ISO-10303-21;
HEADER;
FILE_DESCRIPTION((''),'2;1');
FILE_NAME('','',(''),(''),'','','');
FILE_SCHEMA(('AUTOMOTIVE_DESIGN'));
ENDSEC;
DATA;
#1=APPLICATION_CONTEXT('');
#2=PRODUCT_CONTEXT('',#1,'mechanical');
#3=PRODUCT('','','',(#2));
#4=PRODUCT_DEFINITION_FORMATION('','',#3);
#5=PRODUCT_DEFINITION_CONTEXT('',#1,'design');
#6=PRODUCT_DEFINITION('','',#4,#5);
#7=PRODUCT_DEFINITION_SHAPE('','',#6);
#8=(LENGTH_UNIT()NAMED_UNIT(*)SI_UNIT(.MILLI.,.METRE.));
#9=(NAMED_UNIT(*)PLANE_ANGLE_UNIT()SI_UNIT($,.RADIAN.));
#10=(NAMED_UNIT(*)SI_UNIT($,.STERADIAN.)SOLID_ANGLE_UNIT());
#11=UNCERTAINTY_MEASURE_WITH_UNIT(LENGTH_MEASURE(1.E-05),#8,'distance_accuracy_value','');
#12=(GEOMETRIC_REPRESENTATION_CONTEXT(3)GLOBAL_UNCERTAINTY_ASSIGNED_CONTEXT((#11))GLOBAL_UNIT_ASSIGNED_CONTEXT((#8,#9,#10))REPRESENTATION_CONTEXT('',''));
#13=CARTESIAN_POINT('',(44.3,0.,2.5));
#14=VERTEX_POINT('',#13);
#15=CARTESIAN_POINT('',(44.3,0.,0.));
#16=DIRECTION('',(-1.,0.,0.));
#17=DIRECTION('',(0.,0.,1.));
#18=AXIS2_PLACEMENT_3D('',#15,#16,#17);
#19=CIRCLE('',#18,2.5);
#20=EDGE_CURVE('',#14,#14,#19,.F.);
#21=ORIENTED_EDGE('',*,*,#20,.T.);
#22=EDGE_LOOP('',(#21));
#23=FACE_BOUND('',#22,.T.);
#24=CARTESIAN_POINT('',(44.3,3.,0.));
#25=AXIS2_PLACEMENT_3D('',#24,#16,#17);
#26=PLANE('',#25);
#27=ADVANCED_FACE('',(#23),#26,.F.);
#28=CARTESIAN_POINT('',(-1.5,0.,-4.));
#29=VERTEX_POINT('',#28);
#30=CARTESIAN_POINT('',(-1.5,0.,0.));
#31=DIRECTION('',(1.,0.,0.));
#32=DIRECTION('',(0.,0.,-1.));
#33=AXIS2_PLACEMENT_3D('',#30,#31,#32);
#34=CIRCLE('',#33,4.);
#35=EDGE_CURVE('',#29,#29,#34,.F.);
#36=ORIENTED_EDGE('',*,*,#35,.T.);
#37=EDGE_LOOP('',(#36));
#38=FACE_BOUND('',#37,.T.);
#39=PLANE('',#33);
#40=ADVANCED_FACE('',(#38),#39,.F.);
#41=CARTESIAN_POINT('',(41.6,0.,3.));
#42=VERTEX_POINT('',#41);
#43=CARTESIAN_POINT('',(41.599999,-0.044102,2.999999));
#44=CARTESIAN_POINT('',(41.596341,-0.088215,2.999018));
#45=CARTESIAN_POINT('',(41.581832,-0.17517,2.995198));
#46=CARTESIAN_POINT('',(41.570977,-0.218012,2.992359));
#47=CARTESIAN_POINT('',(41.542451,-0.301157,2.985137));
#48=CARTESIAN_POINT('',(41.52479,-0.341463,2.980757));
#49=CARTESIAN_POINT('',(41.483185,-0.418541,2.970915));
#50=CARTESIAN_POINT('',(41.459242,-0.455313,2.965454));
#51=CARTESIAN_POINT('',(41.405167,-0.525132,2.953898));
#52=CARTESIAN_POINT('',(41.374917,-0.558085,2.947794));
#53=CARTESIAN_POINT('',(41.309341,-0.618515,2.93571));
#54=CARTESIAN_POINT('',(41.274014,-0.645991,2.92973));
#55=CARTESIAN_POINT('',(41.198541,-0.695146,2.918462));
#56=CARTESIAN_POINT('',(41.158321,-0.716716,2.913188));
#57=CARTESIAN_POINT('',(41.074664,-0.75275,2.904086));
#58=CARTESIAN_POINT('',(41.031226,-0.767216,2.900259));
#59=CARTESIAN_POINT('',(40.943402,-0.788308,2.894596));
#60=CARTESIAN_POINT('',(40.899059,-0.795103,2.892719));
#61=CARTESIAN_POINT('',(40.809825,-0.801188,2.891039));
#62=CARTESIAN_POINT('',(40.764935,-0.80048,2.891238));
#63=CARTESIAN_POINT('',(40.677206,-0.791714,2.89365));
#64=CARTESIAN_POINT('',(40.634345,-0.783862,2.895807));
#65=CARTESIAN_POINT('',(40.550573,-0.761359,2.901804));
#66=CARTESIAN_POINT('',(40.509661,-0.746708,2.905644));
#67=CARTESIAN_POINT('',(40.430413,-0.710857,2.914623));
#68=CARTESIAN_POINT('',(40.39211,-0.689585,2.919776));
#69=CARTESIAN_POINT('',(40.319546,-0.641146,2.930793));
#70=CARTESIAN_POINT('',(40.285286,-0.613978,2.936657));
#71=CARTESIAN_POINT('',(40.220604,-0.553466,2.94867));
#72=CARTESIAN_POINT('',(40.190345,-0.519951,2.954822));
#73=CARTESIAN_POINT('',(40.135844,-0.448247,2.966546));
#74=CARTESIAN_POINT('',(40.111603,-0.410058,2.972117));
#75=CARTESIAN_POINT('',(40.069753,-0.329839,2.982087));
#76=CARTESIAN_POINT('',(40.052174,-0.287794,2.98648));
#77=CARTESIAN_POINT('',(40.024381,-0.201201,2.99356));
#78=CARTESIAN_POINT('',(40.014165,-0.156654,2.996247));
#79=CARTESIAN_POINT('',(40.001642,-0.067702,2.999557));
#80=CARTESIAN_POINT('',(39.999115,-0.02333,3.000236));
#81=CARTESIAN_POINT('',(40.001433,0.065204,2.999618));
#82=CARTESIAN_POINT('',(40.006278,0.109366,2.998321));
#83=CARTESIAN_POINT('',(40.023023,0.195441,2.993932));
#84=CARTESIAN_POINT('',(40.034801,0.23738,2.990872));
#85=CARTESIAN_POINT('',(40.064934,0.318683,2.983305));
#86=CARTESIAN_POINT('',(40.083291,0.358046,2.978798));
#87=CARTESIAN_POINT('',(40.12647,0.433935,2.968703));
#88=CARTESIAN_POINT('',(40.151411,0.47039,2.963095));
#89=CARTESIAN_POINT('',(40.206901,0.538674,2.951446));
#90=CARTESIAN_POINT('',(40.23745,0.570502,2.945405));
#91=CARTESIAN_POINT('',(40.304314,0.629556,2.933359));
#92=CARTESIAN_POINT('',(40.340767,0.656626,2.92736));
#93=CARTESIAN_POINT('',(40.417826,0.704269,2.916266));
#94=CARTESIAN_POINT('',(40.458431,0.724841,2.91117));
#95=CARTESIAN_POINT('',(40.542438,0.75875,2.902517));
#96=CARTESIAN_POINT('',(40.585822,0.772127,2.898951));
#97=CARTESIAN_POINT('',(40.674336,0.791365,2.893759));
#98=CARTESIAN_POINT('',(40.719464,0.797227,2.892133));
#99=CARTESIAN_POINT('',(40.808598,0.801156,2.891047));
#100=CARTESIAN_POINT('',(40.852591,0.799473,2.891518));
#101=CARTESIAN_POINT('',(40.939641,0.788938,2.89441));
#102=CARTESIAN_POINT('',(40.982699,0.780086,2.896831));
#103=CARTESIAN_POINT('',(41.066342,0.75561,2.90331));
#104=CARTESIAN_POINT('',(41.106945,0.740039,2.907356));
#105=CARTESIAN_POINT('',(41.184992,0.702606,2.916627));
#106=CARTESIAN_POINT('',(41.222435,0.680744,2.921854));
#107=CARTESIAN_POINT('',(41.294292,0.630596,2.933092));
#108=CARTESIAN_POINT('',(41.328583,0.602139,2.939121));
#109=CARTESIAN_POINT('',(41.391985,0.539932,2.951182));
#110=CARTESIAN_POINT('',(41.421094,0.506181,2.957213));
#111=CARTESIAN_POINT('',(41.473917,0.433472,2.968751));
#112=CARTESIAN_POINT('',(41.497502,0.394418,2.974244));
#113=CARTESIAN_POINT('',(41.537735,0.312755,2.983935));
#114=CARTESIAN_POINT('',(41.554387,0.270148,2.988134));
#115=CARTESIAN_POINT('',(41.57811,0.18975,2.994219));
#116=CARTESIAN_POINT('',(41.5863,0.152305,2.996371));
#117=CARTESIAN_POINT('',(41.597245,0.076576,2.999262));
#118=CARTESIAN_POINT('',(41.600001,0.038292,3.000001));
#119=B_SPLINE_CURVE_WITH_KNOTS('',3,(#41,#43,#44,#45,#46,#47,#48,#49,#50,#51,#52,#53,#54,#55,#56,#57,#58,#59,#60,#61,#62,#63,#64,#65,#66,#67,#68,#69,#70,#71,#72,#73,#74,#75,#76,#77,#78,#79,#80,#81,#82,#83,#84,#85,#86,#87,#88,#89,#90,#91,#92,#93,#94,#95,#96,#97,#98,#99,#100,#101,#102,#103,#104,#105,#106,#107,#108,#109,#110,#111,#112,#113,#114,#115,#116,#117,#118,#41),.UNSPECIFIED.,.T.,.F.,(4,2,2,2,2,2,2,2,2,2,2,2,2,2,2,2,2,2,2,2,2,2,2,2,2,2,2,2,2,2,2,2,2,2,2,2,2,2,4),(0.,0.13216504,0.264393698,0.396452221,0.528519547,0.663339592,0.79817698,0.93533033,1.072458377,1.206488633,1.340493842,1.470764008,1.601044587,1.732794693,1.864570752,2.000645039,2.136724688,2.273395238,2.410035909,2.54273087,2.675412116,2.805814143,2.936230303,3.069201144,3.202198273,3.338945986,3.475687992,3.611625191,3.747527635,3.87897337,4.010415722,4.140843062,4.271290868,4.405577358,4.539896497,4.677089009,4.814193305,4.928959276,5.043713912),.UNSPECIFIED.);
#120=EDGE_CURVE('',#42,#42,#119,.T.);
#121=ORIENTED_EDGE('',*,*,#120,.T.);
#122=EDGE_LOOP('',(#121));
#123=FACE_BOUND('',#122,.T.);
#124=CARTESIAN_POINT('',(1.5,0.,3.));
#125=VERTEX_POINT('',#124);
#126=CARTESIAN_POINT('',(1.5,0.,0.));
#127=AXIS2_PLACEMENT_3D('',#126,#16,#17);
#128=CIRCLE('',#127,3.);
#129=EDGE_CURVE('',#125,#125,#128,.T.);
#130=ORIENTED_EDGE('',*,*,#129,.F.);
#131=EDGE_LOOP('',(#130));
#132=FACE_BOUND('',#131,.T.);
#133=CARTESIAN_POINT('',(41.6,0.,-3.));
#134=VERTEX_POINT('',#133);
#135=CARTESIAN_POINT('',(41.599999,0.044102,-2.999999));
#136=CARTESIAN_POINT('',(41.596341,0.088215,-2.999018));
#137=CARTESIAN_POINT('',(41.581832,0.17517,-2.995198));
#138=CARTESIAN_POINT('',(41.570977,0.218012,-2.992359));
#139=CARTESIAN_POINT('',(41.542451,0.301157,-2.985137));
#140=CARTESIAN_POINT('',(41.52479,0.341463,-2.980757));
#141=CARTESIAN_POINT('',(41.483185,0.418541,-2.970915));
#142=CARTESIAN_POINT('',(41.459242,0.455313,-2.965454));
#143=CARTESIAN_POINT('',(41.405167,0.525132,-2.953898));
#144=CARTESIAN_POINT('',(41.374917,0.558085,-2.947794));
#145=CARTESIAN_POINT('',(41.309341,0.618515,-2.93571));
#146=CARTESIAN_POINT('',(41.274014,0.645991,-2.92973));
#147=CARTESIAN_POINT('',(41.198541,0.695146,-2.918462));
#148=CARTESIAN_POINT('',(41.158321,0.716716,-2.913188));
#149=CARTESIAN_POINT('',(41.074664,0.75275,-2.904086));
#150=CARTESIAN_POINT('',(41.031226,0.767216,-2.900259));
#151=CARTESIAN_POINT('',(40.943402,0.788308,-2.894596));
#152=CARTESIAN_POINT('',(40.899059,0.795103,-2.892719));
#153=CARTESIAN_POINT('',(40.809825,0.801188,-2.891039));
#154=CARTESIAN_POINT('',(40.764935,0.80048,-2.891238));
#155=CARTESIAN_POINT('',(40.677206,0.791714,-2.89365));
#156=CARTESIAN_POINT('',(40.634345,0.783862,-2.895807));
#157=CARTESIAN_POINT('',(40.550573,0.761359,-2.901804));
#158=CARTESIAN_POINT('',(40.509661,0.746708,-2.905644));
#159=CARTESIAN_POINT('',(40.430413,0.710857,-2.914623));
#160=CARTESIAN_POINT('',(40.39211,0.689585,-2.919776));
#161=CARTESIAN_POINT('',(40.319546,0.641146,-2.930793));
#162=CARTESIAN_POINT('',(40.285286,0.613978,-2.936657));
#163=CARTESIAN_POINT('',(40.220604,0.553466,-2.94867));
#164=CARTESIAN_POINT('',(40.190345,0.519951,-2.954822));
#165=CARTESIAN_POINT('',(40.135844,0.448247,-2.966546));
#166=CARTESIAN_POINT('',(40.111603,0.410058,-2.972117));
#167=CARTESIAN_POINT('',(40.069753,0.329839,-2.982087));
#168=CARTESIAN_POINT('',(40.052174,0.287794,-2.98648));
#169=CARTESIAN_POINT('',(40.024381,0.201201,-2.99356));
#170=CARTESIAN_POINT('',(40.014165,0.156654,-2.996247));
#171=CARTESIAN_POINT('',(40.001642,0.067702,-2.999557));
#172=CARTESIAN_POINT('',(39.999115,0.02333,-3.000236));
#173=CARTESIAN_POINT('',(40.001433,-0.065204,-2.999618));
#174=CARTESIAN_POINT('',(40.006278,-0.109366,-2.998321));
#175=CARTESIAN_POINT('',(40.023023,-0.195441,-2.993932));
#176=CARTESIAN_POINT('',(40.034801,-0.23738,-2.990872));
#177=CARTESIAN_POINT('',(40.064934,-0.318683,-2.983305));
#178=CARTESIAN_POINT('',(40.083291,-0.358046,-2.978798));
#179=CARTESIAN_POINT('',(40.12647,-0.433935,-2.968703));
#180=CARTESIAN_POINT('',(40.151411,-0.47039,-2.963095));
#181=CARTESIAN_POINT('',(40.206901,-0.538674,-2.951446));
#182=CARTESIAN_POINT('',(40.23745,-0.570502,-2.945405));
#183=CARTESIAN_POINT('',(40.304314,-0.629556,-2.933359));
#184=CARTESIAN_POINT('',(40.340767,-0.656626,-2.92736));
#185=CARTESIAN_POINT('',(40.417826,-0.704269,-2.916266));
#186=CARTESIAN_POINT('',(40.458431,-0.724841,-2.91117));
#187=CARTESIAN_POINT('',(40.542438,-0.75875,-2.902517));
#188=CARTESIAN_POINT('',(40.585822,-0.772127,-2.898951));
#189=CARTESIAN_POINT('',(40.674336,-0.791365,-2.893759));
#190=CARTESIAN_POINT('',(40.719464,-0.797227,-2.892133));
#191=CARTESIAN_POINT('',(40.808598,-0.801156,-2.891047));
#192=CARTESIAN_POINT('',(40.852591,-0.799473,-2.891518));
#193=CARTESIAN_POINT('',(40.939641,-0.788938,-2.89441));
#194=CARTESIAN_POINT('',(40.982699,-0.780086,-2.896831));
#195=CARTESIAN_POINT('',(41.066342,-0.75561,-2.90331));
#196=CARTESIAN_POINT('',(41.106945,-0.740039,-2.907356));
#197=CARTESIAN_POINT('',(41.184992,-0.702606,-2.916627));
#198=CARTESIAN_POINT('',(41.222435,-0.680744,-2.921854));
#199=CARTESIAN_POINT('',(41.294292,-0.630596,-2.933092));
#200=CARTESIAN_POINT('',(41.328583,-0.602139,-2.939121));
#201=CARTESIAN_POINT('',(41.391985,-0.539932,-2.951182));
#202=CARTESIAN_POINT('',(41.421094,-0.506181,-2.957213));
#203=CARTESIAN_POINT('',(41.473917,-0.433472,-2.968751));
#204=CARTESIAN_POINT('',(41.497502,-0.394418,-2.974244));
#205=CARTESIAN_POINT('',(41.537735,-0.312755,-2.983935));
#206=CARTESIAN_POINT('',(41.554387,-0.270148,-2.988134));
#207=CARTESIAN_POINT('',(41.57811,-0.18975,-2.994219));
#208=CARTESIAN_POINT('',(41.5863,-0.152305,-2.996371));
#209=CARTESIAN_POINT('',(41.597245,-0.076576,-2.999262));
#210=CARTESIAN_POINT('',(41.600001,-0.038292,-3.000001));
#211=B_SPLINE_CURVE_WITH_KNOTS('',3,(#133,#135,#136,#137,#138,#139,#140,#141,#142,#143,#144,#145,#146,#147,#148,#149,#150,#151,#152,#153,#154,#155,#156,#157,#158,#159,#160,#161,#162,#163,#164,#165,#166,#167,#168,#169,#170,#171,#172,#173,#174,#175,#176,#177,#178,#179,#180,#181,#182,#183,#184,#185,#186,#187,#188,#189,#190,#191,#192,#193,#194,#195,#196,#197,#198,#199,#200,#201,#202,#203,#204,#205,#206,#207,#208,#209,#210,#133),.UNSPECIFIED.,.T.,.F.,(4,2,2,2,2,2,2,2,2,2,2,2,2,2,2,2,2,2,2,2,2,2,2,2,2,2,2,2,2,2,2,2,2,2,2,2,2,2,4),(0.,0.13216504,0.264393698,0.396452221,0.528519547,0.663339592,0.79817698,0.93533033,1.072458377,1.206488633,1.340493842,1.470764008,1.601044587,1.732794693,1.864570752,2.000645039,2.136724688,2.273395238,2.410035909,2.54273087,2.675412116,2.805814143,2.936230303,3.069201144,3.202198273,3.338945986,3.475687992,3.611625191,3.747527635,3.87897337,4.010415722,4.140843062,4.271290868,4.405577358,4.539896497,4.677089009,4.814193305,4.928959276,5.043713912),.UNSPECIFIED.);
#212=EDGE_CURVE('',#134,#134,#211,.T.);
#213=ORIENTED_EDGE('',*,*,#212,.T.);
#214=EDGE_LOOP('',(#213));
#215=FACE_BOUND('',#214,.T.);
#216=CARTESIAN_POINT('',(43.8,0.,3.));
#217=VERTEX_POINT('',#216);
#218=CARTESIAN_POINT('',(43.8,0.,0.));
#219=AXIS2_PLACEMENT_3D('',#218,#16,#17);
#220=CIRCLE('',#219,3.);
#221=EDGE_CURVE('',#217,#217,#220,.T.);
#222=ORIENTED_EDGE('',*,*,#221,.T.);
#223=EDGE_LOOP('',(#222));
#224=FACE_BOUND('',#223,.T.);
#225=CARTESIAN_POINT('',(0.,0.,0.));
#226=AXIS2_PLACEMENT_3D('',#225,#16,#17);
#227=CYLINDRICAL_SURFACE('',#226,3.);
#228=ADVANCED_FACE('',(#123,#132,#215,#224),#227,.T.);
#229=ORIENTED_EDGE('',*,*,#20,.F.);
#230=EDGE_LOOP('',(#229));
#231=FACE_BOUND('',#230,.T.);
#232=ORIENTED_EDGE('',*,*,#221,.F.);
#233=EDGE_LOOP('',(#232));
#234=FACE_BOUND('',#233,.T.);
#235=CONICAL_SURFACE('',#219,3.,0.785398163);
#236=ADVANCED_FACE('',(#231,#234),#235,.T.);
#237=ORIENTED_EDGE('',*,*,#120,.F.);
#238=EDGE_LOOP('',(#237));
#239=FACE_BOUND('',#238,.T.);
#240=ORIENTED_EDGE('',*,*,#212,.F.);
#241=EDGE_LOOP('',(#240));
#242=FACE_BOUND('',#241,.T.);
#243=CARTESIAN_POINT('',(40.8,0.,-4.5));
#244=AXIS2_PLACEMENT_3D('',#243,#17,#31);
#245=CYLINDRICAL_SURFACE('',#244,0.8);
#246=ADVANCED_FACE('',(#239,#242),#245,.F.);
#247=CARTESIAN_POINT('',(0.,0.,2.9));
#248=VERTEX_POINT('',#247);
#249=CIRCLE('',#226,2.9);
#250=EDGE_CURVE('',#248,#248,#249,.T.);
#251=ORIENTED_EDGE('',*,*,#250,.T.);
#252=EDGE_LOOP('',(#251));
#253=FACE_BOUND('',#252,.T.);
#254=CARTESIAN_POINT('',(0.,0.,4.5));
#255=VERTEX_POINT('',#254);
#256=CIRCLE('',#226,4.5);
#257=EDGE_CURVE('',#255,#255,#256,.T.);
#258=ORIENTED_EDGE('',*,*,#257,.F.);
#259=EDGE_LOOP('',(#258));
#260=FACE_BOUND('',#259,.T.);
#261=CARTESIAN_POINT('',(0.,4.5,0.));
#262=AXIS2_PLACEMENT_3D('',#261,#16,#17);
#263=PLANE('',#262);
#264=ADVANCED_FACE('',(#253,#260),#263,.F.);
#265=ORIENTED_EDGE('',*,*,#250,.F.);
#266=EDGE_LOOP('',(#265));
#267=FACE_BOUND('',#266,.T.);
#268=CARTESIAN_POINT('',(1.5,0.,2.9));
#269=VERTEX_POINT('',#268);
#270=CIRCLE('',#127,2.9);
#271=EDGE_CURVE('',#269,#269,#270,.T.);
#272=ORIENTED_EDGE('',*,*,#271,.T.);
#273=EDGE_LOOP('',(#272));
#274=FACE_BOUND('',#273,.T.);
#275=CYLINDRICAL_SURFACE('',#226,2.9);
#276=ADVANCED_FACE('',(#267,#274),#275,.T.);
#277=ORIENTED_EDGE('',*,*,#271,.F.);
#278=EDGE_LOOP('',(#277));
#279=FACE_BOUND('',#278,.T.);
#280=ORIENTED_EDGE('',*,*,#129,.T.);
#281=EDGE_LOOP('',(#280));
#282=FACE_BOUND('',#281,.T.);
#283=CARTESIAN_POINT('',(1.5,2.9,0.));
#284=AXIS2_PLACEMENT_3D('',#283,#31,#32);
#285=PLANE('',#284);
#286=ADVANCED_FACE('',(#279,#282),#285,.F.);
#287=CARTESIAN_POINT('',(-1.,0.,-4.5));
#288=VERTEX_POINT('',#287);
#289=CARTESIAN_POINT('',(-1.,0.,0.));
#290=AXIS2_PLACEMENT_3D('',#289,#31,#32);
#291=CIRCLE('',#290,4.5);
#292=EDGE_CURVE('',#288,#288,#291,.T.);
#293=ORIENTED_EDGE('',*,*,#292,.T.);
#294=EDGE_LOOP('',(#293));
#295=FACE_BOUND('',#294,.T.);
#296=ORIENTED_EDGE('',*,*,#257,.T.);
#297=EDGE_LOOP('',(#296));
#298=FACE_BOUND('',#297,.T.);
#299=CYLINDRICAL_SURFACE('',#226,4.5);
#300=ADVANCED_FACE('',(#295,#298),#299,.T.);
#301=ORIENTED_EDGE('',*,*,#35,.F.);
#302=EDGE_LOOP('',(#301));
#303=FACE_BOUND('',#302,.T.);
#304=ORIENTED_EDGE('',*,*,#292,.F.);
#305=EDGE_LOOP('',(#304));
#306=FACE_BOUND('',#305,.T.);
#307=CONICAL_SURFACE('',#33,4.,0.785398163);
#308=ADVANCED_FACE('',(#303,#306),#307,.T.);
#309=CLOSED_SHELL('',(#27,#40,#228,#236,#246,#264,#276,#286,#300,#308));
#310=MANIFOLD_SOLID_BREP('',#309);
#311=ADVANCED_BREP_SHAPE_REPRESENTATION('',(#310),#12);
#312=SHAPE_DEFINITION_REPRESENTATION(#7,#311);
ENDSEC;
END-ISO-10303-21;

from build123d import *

# Parameters (mm, degrees)
SKETCH2_R          = 0.8
CUT_EXTRUDE1_DEPTH = 46.15517689
CHAMFER1_SIZE      = 0.5


with BuildPart() as part:
    # Sketch1 → Revolve1 (revolve)
    with BuildSketch(Plane.XY, mode=Mode.PRIVATE) as revolve1_sk:
        Polygon((-1.5, 0), (-1.5, 4.5), (0, 4.5), (0, 2.9), (1.5, 2.9), (1.5, 3), (44.3, 3), (44.3, 0), align=None)
    revolve(revolve1_sk.sketch.rotate(Axis((0, 0, 0), (1, 0, 0)), 90), axis=Axis((0, 0, 0), (1, 0, 0)))

    # Sketch2 → Cut-Extrude1 (cut, through all)
    with BuildSketch(Plane.XY.offset(3)):
        with Locations((40.8, 0)):
            Circle(SKETCH2_R)
    extrude(amount=-CUT_EXTRUDE1_DEPTH, mode=Mode.SUBTRACT)

    # Chamfer1
    chamfer1_edges = [part.edges().sort_by_distance(p)[0] for p in [
        (44.3, 0, -3),
        (-1.5, 0, -4.5),
    ]]
    chamfer(chamfer1_edges, length=CHAMFER1_SIZE)


solid = part.part
